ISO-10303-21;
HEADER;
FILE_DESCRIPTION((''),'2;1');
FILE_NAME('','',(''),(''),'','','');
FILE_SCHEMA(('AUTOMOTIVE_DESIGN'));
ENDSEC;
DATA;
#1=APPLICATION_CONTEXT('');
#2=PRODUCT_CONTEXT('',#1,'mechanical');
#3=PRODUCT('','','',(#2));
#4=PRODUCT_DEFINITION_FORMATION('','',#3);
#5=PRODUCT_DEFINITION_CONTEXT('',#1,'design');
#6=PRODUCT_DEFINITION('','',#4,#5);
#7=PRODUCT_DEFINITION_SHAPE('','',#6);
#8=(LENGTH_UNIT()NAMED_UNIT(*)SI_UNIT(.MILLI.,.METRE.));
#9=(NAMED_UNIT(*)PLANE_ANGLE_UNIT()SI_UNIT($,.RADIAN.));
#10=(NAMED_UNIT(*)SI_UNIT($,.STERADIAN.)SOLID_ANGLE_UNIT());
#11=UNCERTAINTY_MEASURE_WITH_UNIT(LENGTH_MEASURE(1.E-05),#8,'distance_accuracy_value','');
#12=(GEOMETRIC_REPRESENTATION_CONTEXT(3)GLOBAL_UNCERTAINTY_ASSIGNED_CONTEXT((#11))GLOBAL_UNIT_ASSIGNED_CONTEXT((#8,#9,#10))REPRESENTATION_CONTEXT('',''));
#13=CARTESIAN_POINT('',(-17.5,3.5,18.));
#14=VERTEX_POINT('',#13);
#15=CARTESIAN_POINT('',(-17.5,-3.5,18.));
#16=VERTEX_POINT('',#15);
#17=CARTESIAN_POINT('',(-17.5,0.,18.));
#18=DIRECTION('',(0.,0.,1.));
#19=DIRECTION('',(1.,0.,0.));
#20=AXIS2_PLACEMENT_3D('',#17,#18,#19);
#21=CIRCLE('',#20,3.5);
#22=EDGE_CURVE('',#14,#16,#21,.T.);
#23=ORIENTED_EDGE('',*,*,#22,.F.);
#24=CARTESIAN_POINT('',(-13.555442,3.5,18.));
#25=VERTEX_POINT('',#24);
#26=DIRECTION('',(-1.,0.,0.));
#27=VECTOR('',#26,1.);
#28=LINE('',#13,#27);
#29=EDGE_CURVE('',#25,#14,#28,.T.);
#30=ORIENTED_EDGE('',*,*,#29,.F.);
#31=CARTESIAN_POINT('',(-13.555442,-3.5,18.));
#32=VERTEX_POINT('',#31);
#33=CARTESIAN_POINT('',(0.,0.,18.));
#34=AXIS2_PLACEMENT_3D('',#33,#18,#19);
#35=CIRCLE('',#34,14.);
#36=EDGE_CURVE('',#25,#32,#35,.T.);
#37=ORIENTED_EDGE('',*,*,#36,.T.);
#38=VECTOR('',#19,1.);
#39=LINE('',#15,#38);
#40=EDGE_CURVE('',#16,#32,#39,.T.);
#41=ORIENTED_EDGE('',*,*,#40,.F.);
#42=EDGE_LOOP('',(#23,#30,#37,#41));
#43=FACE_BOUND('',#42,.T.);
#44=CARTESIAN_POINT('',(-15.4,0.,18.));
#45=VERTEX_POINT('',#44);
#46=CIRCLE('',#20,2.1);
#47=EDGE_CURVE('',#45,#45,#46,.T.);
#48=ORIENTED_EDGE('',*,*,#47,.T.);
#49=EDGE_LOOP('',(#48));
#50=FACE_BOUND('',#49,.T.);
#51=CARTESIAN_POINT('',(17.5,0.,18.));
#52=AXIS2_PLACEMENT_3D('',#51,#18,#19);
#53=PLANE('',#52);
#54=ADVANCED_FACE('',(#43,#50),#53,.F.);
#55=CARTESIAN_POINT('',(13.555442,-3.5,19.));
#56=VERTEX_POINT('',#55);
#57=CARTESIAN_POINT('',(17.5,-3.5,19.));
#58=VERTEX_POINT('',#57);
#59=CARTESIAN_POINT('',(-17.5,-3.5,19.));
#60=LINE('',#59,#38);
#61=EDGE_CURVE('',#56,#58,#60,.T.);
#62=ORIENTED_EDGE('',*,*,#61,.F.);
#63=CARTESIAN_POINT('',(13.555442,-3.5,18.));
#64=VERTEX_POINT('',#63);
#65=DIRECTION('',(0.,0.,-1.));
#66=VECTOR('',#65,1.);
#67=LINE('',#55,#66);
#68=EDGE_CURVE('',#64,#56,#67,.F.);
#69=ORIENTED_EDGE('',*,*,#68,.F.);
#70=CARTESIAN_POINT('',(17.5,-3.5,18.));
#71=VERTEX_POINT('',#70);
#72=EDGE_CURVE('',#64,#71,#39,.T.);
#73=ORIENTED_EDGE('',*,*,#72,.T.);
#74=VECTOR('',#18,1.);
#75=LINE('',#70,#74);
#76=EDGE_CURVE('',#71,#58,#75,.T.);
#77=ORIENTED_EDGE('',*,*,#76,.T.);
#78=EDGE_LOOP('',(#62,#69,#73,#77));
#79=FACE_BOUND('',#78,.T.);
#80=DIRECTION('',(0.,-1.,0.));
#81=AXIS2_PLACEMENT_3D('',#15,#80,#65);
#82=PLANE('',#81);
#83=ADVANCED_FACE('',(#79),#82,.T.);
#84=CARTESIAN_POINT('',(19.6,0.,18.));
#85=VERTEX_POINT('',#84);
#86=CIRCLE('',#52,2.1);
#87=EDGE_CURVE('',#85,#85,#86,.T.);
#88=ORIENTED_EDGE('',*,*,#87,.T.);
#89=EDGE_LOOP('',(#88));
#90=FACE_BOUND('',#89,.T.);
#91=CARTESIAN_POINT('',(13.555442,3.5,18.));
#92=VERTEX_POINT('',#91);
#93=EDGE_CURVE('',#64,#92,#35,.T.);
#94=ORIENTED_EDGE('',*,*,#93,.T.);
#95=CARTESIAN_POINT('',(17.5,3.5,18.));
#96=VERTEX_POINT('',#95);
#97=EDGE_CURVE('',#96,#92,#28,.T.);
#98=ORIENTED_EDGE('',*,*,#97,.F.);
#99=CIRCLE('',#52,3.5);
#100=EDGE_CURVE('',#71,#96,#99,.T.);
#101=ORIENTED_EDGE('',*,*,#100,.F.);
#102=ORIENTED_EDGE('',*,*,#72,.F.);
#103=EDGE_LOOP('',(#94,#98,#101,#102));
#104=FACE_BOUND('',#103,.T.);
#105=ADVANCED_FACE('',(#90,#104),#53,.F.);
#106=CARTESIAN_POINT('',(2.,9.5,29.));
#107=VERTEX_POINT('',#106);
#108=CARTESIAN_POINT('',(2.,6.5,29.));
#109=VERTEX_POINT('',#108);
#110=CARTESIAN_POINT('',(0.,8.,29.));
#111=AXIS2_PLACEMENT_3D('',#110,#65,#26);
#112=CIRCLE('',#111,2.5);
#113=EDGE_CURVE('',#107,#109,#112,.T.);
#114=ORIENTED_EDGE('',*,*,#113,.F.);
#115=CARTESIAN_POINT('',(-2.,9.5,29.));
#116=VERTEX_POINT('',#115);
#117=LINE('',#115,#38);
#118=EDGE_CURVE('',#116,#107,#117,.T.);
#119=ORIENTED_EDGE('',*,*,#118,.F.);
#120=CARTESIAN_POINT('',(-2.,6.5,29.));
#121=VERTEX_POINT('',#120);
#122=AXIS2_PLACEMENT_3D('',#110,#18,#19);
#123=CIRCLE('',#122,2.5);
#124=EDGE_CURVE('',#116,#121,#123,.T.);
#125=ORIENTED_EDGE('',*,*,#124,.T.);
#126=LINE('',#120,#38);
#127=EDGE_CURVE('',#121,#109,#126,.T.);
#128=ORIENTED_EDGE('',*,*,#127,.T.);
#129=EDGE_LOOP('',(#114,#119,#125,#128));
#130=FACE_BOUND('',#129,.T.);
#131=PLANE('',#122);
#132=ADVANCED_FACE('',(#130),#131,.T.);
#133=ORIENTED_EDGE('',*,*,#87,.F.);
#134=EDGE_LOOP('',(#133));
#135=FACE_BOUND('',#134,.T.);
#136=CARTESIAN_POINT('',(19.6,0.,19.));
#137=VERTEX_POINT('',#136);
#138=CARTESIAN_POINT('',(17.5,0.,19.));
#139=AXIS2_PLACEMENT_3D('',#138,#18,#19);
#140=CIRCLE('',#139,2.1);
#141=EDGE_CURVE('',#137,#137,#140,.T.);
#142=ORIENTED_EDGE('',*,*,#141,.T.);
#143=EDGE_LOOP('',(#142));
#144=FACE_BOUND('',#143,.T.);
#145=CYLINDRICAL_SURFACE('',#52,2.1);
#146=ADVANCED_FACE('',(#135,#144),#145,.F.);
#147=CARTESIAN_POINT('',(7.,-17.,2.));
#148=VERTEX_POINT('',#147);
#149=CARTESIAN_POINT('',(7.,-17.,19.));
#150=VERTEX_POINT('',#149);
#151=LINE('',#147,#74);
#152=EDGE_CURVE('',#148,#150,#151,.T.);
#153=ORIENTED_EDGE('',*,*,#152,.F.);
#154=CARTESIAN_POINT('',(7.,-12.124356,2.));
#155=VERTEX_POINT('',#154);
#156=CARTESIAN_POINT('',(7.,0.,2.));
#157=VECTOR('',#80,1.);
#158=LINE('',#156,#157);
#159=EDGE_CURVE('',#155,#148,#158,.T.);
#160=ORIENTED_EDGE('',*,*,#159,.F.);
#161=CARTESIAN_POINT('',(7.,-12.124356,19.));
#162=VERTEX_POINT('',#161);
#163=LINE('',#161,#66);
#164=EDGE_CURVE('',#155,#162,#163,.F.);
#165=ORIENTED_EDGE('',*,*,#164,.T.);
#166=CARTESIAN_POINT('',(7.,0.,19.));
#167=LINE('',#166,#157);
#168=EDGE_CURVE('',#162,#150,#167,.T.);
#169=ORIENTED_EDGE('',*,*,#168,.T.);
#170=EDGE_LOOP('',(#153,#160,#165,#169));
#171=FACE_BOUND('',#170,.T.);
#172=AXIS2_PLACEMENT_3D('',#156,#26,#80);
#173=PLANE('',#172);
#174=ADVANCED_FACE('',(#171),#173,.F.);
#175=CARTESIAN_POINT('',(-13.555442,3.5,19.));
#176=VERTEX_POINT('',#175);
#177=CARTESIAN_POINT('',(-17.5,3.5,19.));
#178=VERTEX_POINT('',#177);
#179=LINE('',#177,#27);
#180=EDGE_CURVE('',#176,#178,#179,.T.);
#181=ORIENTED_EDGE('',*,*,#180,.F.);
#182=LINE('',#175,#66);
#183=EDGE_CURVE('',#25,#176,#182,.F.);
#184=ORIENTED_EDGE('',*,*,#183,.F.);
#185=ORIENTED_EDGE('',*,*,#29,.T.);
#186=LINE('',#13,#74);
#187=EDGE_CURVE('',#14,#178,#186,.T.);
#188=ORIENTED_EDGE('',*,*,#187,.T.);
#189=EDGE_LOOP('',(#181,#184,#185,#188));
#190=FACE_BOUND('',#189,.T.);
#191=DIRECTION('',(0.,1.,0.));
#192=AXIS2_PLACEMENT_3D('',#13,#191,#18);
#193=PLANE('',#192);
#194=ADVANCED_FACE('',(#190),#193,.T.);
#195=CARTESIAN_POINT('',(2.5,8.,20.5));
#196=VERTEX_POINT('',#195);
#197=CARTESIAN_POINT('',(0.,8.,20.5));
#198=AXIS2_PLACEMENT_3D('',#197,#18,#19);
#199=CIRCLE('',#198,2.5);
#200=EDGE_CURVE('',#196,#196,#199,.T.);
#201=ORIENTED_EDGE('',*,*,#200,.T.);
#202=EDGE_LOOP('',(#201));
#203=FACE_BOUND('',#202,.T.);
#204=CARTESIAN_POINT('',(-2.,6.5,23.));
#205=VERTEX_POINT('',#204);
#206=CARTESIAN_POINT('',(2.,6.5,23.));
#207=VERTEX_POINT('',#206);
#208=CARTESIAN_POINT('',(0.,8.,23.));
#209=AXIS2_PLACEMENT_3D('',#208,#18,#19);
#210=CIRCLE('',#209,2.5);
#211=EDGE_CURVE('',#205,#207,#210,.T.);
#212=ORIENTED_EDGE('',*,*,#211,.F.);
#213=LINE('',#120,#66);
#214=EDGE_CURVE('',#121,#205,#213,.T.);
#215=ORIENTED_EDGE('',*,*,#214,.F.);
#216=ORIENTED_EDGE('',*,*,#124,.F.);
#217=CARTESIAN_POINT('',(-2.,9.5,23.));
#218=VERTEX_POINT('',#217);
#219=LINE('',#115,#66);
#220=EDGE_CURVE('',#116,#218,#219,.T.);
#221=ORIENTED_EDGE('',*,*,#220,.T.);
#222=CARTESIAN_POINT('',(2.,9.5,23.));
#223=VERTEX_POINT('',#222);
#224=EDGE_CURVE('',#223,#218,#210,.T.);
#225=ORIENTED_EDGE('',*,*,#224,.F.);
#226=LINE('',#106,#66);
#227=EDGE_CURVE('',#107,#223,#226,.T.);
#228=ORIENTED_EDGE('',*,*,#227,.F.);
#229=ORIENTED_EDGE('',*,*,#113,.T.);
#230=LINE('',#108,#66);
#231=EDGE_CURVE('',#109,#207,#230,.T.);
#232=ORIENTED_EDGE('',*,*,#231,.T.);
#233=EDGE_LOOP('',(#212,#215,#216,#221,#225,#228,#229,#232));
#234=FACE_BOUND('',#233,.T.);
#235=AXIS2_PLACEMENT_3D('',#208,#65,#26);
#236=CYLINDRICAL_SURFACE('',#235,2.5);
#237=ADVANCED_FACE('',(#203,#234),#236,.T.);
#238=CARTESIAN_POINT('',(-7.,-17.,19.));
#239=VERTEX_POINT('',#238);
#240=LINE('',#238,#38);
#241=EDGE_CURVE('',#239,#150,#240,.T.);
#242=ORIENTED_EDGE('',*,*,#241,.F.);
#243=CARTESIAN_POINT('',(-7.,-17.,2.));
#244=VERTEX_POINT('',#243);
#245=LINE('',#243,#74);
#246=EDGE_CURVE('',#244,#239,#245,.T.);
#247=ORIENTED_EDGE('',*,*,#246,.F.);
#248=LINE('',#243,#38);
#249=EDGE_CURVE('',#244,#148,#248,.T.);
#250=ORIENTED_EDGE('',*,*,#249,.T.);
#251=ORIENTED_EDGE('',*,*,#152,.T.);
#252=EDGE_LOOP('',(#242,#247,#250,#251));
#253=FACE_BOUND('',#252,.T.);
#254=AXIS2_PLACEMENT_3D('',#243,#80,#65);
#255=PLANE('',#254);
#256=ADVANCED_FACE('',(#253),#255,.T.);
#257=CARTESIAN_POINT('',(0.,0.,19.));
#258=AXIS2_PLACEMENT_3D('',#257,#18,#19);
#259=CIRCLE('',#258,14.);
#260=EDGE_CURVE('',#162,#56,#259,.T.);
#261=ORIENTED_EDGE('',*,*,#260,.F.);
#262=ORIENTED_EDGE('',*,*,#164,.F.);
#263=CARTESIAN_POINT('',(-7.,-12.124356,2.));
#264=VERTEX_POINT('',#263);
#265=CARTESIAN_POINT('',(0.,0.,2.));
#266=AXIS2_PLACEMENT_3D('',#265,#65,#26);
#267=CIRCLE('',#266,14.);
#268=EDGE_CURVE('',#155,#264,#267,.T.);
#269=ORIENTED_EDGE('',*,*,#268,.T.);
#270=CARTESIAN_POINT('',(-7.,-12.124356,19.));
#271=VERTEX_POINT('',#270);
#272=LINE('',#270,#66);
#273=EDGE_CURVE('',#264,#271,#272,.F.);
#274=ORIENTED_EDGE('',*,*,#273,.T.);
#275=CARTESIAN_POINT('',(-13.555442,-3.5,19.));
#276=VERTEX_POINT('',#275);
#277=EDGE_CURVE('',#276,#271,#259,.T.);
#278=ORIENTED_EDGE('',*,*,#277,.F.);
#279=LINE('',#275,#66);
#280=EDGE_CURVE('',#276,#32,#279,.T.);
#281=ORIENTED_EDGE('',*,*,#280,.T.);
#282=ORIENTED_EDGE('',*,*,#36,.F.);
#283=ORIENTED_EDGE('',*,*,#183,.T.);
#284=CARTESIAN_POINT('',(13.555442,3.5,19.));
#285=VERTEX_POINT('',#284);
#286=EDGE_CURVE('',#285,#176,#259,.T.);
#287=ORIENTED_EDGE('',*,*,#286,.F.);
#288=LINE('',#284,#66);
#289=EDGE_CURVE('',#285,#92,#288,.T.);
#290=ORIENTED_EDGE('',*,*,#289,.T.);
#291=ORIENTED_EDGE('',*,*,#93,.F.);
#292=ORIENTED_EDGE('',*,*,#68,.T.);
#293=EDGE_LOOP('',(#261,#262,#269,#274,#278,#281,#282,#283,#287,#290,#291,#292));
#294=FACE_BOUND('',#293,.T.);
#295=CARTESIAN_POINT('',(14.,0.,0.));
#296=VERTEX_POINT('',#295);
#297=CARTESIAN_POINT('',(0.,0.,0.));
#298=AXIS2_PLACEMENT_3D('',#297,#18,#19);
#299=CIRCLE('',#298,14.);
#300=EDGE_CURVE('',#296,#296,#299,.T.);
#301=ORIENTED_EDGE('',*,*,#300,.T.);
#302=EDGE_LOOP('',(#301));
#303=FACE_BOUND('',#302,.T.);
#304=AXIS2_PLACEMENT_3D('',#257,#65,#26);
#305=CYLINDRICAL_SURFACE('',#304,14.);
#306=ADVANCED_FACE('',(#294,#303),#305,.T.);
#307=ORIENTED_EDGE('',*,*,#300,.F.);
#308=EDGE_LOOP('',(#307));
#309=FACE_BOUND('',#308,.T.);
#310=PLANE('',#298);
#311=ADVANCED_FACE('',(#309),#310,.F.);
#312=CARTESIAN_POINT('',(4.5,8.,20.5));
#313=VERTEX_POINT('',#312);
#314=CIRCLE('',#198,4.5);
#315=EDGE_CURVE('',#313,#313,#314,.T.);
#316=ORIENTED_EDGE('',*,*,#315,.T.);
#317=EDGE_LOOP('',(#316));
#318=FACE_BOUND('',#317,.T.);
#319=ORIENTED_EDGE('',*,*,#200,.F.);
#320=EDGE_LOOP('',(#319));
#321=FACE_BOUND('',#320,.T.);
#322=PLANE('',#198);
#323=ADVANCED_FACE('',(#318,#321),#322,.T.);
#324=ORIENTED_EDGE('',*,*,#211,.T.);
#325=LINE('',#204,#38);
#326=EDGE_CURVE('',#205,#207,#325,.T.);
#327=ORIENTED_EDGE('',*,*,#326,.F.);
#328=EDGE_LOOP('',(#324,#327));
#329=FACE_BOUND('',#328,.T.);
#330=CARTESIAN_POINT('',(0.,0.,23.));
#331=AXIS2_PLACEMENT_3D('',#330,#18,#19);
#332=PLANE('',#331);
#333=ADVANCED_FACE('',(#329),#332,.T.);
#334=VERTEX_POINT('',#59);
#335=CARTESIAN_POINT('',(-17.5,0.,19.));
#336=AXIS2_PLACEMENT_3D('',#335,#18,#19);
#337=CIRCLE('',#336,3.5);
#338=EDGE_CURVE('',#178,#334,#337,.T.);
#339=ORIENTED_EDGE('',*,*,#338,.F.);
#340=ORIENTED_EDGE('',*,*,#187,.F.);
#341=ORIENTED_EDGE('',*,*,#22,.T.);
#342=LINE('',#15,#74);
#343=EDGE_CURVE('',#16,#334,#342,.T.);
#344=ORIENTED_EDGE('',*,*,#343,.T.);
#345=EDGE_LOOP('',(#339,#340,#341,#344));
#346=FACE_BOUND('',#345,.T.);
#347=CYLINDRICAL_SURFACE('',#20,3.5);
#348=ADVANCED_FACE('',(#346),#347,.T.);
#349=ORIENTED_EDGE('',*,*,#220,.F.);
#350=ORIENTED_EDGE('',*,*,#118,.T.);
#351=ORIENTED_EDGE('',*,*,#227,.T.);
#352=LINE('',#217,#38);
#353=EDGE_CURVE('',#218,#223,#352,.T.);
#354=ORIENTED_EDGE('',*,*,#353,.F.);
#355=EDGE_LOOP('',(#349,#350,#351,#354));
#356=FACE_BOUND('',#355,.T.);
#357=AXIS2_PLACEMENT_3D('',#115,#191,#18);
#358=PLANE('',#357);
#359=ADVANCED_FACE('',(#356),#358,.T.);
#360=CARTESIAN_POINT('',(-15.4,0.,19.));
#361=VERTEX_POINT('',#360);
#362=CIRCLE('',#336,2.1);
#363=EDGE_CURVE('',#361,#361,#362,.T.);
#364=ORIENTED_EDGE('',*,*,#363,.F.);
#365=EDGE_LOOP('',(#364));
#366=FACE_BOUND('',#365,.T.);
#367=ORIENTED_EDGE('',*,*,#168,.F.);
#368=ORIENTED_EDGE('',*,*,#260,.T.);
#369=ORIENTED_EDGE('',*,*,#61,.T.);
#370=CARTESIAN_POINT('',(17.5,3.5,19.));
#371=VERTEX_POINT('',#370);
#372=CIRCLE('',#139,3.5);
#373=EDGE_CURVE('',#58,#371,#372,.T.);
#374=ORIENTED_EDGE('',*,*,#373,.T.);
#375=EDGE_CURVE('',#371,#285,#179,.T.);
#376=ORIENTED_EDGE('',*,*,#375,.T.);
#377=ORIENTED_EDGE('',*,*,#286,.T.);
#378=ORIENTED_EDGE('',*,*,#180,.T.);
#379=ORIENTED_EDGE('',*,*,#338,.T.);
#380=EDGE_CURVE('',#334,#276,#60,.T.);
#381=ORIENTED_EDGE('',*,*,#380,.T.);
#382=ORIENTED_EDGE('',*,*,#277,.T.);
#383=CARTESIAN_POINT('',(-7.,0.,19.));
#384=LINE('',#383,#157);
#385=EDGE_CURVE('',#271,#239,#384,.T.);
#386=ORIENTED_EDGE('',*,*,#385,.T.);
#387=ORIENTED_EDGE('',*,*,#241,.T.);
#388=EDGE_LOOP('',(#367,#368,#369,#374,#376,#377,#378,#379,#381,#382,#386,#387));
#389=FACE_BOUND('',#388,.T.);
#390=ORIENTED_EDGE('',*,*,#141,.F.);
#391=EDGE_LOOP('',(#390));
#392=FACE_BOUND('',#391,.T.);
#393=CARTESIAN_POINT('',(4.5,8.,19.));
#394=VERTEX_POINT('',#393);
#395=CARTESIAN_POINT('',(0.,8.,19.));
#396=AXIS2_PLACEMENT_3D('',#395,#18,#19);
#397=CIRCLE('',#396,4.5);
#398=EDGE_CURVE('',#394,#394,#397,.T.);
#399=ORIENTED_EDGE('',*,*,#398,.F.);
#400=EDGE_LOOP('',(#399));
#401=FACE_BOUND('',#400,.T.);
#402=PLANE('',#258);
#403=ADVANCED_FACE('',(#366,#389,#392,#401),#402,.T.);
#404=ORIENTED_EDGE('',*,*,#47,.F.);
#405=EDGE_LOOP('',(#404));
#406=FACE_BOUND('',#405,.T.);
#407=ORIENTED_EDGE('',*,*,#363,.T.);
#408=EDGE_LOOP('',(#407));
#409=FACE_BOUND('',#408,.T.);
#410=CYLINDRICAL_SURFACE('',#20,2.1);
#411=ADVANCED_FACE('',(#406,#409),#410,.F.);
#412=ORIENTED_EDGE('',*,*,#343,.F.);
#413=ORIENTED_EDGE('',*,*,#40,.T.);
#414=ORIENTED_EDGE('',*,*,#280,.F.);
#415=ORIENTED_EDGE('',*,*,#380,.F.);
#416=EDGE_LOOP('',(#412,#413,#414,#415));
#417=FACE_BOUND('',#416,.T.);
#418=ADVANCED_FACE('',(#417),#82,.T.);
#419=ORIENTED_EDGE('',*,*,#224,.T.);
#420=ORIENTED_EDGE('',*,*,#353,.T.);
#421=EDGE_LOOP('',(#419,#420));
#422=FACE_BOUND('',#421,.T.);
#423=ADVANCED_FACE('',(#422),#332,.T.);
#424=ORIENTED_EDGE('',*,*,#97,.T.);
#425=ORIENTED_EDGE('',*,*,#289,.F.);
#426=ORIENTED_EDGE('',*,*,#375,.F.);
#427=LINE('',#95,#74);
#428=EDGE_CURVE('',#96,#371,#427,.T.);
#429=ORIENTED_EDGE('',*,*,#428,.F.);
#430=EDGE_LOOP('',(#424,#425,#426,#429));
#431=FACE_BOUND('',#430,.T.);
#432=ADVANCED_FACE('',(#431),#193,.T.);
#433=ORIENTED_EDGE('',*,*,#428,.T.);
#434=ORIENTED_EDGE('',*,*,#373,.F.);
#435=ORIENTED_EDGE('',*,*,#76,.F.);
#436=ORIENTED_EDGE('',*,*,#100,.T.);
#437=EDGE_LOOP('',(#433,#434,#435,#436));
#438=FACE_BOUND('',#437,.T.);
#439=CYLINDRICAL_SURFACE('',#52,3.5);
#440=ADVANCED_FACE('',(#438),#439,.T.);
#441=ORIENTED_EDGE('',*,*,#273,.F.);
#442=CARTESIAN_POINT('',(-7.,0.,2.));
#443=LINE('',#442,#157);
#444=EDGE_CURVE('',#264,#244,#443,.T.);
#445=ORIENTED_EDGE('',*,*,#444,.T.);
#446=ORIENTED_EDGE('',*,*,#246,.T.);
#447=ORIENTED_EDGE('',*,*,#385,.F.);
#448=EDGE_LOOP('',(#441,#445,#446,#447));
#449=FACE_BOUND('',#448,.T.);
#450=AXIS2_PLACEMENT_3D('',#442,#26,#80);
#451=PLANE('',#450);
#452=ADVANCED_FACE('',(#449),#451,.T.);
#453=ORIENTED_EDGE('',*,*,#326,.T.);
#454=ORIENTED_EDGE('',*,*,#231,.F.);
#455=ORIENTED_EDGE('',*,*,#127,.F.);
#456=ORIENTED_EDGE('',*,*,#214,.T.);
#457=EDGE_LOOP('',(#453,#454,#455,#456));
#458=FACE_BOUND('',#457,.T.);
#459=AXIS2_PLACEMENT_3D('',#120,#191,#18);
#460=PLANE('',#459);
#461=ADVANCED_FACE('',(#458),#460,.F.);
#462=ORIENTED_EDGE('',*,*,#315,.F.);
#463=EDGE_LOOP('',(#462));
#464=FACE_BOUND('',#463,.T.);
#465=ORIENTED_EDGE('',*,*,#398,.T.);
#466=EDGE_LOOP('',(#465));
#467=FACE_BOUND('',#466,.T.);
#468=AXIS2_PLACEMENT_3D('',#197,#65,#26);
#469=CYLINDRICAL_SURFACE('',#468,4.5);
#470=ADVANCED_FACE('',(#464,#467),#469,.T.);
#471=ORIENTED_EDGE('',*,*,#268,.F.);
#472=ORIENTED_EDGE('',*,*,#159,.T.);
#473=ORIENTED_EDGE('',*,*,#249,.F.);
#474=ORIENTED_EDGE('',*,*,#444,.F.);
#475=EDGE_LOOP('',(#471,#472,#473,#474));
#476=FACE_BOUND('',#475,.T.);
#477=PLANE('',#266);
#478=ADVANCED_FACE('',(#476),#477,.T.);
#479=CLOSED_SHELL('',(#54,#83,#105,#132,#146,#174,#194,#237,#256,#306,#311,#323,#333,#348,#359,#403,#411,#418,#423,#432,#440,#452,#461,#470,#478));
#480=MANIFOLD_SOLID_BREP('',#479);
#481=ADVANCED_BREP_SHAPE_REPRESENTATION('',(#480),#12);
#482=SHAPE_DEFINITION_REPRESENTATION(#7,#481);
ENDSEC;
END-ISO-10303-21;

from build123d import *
from build123d.topology import SkipClean

# Parameters (mm, degrees)
SKETCH2_R           = 14
BOSS_EXTRUDE1_DEPTH = 19
SKETCH3_R           = 2.5
BOSS_EXTRUDE2_DEPTH = 4
SKETCH3_3_R         = 4.5
BOSS_EXTRUDE3_DEPTH = 1.5
BOSS_EXTRUDE4_DEPTH = 6
SKETCH6_W           = 14
SKETCH6_H           = 17
BOSS_EXTRUDE5_DEPTH = 17
SKETCH7_R           = 2.1
BOSS_EXTRUDE6_DEPTH = 1


with BuildPart() as part:
    # Sketch2 → Boss-Extrude1 (new body)
    with BuildSketch(Plane.XY):
        Circle(SKETCH2_R)
    extrude(amount=BOSS_EXTRUDE1_DEPTH)

    # Sketch3 → Boss-Extrude2 (add)
    with BuildSketch(Plane.XY.offset(19)):
        with Locations((0, 8)):
            Circle(SKETCH3_R)
    extrude(amount=BOSS_EXTRUDE2_DEPTH)

    # Sketch3<3> → Boss-Extrude3 (add)
    with BuildSketch(Plane.XY.offset(19)):
        with Locations((0, 8)):
            Circle(SKETCH3_3_R)
    extrude(amount=BOSS_EXTRUDE3_DEPTH)

    # Sketch4 → Boss-Extrude4 (add)
    with SkipClean():  # the faces are left unmerged after this step: merging them gives an invalid solid
        with BuildSketch(Plane.XY.offset(23)):
            with BuildLine():
                Line((-2, 9.5), (2, 9.5))
                ThreePointArc((2, 9.5), (2.5, 8), (2, 6.5))
                Line((2, 6.5), (-2, 6.5))
                ThreePointArc((-2, 6.5), (-2.5, 8), (-2, 9.5))
            make_face()
        extrude(amount=BOSS_EXTRUDE4_DEPTH)

    # Sketch6 → Boss-Extrude5 (add)
    with SkipClean():  # the faces are left unmerged after this step: merging them gives an invalid solid
        with BuildSketch(Plane.XY.offset(19)):
            with Locations((0, -8.5)):
                Rectangle(SKETCH6_W, SKETCH6_H)
        extrude(amount=-BOSS_EXTRUDE5_DEPTH)

    # Sketch7 → Boss-Extrude6 (add)
    with SkipClean():  # the faces are left unmerged after this step: merging them gives an invalid solid
        with BuildSketch(Plane.XY.offset(19)):
            with BuildLine():
                Line((-17.5, 3.5), (17.5, 3.5))
                ThreePointArc((17.5, 3.5), (21, 0), (17.5, -3.5))
                Line((17.5, -3.5), (-17.5, -3.5))
                ThreePointArc((-17.5, -3.5), (-21, 0), (-17.5, 3.5))
            make_face()
            with Locations((-17.5, 0)):
                Circle(SKETCH7_R, mode=Mode.SUBTRACT)
            with Locations((17.5, 0)):
                Circle(SKETCH7_R, mode=Mode.SUBTRACT)
        extrude(amount=-BOSS_EXTRUDE6_DEPTH)


solid = part.part
